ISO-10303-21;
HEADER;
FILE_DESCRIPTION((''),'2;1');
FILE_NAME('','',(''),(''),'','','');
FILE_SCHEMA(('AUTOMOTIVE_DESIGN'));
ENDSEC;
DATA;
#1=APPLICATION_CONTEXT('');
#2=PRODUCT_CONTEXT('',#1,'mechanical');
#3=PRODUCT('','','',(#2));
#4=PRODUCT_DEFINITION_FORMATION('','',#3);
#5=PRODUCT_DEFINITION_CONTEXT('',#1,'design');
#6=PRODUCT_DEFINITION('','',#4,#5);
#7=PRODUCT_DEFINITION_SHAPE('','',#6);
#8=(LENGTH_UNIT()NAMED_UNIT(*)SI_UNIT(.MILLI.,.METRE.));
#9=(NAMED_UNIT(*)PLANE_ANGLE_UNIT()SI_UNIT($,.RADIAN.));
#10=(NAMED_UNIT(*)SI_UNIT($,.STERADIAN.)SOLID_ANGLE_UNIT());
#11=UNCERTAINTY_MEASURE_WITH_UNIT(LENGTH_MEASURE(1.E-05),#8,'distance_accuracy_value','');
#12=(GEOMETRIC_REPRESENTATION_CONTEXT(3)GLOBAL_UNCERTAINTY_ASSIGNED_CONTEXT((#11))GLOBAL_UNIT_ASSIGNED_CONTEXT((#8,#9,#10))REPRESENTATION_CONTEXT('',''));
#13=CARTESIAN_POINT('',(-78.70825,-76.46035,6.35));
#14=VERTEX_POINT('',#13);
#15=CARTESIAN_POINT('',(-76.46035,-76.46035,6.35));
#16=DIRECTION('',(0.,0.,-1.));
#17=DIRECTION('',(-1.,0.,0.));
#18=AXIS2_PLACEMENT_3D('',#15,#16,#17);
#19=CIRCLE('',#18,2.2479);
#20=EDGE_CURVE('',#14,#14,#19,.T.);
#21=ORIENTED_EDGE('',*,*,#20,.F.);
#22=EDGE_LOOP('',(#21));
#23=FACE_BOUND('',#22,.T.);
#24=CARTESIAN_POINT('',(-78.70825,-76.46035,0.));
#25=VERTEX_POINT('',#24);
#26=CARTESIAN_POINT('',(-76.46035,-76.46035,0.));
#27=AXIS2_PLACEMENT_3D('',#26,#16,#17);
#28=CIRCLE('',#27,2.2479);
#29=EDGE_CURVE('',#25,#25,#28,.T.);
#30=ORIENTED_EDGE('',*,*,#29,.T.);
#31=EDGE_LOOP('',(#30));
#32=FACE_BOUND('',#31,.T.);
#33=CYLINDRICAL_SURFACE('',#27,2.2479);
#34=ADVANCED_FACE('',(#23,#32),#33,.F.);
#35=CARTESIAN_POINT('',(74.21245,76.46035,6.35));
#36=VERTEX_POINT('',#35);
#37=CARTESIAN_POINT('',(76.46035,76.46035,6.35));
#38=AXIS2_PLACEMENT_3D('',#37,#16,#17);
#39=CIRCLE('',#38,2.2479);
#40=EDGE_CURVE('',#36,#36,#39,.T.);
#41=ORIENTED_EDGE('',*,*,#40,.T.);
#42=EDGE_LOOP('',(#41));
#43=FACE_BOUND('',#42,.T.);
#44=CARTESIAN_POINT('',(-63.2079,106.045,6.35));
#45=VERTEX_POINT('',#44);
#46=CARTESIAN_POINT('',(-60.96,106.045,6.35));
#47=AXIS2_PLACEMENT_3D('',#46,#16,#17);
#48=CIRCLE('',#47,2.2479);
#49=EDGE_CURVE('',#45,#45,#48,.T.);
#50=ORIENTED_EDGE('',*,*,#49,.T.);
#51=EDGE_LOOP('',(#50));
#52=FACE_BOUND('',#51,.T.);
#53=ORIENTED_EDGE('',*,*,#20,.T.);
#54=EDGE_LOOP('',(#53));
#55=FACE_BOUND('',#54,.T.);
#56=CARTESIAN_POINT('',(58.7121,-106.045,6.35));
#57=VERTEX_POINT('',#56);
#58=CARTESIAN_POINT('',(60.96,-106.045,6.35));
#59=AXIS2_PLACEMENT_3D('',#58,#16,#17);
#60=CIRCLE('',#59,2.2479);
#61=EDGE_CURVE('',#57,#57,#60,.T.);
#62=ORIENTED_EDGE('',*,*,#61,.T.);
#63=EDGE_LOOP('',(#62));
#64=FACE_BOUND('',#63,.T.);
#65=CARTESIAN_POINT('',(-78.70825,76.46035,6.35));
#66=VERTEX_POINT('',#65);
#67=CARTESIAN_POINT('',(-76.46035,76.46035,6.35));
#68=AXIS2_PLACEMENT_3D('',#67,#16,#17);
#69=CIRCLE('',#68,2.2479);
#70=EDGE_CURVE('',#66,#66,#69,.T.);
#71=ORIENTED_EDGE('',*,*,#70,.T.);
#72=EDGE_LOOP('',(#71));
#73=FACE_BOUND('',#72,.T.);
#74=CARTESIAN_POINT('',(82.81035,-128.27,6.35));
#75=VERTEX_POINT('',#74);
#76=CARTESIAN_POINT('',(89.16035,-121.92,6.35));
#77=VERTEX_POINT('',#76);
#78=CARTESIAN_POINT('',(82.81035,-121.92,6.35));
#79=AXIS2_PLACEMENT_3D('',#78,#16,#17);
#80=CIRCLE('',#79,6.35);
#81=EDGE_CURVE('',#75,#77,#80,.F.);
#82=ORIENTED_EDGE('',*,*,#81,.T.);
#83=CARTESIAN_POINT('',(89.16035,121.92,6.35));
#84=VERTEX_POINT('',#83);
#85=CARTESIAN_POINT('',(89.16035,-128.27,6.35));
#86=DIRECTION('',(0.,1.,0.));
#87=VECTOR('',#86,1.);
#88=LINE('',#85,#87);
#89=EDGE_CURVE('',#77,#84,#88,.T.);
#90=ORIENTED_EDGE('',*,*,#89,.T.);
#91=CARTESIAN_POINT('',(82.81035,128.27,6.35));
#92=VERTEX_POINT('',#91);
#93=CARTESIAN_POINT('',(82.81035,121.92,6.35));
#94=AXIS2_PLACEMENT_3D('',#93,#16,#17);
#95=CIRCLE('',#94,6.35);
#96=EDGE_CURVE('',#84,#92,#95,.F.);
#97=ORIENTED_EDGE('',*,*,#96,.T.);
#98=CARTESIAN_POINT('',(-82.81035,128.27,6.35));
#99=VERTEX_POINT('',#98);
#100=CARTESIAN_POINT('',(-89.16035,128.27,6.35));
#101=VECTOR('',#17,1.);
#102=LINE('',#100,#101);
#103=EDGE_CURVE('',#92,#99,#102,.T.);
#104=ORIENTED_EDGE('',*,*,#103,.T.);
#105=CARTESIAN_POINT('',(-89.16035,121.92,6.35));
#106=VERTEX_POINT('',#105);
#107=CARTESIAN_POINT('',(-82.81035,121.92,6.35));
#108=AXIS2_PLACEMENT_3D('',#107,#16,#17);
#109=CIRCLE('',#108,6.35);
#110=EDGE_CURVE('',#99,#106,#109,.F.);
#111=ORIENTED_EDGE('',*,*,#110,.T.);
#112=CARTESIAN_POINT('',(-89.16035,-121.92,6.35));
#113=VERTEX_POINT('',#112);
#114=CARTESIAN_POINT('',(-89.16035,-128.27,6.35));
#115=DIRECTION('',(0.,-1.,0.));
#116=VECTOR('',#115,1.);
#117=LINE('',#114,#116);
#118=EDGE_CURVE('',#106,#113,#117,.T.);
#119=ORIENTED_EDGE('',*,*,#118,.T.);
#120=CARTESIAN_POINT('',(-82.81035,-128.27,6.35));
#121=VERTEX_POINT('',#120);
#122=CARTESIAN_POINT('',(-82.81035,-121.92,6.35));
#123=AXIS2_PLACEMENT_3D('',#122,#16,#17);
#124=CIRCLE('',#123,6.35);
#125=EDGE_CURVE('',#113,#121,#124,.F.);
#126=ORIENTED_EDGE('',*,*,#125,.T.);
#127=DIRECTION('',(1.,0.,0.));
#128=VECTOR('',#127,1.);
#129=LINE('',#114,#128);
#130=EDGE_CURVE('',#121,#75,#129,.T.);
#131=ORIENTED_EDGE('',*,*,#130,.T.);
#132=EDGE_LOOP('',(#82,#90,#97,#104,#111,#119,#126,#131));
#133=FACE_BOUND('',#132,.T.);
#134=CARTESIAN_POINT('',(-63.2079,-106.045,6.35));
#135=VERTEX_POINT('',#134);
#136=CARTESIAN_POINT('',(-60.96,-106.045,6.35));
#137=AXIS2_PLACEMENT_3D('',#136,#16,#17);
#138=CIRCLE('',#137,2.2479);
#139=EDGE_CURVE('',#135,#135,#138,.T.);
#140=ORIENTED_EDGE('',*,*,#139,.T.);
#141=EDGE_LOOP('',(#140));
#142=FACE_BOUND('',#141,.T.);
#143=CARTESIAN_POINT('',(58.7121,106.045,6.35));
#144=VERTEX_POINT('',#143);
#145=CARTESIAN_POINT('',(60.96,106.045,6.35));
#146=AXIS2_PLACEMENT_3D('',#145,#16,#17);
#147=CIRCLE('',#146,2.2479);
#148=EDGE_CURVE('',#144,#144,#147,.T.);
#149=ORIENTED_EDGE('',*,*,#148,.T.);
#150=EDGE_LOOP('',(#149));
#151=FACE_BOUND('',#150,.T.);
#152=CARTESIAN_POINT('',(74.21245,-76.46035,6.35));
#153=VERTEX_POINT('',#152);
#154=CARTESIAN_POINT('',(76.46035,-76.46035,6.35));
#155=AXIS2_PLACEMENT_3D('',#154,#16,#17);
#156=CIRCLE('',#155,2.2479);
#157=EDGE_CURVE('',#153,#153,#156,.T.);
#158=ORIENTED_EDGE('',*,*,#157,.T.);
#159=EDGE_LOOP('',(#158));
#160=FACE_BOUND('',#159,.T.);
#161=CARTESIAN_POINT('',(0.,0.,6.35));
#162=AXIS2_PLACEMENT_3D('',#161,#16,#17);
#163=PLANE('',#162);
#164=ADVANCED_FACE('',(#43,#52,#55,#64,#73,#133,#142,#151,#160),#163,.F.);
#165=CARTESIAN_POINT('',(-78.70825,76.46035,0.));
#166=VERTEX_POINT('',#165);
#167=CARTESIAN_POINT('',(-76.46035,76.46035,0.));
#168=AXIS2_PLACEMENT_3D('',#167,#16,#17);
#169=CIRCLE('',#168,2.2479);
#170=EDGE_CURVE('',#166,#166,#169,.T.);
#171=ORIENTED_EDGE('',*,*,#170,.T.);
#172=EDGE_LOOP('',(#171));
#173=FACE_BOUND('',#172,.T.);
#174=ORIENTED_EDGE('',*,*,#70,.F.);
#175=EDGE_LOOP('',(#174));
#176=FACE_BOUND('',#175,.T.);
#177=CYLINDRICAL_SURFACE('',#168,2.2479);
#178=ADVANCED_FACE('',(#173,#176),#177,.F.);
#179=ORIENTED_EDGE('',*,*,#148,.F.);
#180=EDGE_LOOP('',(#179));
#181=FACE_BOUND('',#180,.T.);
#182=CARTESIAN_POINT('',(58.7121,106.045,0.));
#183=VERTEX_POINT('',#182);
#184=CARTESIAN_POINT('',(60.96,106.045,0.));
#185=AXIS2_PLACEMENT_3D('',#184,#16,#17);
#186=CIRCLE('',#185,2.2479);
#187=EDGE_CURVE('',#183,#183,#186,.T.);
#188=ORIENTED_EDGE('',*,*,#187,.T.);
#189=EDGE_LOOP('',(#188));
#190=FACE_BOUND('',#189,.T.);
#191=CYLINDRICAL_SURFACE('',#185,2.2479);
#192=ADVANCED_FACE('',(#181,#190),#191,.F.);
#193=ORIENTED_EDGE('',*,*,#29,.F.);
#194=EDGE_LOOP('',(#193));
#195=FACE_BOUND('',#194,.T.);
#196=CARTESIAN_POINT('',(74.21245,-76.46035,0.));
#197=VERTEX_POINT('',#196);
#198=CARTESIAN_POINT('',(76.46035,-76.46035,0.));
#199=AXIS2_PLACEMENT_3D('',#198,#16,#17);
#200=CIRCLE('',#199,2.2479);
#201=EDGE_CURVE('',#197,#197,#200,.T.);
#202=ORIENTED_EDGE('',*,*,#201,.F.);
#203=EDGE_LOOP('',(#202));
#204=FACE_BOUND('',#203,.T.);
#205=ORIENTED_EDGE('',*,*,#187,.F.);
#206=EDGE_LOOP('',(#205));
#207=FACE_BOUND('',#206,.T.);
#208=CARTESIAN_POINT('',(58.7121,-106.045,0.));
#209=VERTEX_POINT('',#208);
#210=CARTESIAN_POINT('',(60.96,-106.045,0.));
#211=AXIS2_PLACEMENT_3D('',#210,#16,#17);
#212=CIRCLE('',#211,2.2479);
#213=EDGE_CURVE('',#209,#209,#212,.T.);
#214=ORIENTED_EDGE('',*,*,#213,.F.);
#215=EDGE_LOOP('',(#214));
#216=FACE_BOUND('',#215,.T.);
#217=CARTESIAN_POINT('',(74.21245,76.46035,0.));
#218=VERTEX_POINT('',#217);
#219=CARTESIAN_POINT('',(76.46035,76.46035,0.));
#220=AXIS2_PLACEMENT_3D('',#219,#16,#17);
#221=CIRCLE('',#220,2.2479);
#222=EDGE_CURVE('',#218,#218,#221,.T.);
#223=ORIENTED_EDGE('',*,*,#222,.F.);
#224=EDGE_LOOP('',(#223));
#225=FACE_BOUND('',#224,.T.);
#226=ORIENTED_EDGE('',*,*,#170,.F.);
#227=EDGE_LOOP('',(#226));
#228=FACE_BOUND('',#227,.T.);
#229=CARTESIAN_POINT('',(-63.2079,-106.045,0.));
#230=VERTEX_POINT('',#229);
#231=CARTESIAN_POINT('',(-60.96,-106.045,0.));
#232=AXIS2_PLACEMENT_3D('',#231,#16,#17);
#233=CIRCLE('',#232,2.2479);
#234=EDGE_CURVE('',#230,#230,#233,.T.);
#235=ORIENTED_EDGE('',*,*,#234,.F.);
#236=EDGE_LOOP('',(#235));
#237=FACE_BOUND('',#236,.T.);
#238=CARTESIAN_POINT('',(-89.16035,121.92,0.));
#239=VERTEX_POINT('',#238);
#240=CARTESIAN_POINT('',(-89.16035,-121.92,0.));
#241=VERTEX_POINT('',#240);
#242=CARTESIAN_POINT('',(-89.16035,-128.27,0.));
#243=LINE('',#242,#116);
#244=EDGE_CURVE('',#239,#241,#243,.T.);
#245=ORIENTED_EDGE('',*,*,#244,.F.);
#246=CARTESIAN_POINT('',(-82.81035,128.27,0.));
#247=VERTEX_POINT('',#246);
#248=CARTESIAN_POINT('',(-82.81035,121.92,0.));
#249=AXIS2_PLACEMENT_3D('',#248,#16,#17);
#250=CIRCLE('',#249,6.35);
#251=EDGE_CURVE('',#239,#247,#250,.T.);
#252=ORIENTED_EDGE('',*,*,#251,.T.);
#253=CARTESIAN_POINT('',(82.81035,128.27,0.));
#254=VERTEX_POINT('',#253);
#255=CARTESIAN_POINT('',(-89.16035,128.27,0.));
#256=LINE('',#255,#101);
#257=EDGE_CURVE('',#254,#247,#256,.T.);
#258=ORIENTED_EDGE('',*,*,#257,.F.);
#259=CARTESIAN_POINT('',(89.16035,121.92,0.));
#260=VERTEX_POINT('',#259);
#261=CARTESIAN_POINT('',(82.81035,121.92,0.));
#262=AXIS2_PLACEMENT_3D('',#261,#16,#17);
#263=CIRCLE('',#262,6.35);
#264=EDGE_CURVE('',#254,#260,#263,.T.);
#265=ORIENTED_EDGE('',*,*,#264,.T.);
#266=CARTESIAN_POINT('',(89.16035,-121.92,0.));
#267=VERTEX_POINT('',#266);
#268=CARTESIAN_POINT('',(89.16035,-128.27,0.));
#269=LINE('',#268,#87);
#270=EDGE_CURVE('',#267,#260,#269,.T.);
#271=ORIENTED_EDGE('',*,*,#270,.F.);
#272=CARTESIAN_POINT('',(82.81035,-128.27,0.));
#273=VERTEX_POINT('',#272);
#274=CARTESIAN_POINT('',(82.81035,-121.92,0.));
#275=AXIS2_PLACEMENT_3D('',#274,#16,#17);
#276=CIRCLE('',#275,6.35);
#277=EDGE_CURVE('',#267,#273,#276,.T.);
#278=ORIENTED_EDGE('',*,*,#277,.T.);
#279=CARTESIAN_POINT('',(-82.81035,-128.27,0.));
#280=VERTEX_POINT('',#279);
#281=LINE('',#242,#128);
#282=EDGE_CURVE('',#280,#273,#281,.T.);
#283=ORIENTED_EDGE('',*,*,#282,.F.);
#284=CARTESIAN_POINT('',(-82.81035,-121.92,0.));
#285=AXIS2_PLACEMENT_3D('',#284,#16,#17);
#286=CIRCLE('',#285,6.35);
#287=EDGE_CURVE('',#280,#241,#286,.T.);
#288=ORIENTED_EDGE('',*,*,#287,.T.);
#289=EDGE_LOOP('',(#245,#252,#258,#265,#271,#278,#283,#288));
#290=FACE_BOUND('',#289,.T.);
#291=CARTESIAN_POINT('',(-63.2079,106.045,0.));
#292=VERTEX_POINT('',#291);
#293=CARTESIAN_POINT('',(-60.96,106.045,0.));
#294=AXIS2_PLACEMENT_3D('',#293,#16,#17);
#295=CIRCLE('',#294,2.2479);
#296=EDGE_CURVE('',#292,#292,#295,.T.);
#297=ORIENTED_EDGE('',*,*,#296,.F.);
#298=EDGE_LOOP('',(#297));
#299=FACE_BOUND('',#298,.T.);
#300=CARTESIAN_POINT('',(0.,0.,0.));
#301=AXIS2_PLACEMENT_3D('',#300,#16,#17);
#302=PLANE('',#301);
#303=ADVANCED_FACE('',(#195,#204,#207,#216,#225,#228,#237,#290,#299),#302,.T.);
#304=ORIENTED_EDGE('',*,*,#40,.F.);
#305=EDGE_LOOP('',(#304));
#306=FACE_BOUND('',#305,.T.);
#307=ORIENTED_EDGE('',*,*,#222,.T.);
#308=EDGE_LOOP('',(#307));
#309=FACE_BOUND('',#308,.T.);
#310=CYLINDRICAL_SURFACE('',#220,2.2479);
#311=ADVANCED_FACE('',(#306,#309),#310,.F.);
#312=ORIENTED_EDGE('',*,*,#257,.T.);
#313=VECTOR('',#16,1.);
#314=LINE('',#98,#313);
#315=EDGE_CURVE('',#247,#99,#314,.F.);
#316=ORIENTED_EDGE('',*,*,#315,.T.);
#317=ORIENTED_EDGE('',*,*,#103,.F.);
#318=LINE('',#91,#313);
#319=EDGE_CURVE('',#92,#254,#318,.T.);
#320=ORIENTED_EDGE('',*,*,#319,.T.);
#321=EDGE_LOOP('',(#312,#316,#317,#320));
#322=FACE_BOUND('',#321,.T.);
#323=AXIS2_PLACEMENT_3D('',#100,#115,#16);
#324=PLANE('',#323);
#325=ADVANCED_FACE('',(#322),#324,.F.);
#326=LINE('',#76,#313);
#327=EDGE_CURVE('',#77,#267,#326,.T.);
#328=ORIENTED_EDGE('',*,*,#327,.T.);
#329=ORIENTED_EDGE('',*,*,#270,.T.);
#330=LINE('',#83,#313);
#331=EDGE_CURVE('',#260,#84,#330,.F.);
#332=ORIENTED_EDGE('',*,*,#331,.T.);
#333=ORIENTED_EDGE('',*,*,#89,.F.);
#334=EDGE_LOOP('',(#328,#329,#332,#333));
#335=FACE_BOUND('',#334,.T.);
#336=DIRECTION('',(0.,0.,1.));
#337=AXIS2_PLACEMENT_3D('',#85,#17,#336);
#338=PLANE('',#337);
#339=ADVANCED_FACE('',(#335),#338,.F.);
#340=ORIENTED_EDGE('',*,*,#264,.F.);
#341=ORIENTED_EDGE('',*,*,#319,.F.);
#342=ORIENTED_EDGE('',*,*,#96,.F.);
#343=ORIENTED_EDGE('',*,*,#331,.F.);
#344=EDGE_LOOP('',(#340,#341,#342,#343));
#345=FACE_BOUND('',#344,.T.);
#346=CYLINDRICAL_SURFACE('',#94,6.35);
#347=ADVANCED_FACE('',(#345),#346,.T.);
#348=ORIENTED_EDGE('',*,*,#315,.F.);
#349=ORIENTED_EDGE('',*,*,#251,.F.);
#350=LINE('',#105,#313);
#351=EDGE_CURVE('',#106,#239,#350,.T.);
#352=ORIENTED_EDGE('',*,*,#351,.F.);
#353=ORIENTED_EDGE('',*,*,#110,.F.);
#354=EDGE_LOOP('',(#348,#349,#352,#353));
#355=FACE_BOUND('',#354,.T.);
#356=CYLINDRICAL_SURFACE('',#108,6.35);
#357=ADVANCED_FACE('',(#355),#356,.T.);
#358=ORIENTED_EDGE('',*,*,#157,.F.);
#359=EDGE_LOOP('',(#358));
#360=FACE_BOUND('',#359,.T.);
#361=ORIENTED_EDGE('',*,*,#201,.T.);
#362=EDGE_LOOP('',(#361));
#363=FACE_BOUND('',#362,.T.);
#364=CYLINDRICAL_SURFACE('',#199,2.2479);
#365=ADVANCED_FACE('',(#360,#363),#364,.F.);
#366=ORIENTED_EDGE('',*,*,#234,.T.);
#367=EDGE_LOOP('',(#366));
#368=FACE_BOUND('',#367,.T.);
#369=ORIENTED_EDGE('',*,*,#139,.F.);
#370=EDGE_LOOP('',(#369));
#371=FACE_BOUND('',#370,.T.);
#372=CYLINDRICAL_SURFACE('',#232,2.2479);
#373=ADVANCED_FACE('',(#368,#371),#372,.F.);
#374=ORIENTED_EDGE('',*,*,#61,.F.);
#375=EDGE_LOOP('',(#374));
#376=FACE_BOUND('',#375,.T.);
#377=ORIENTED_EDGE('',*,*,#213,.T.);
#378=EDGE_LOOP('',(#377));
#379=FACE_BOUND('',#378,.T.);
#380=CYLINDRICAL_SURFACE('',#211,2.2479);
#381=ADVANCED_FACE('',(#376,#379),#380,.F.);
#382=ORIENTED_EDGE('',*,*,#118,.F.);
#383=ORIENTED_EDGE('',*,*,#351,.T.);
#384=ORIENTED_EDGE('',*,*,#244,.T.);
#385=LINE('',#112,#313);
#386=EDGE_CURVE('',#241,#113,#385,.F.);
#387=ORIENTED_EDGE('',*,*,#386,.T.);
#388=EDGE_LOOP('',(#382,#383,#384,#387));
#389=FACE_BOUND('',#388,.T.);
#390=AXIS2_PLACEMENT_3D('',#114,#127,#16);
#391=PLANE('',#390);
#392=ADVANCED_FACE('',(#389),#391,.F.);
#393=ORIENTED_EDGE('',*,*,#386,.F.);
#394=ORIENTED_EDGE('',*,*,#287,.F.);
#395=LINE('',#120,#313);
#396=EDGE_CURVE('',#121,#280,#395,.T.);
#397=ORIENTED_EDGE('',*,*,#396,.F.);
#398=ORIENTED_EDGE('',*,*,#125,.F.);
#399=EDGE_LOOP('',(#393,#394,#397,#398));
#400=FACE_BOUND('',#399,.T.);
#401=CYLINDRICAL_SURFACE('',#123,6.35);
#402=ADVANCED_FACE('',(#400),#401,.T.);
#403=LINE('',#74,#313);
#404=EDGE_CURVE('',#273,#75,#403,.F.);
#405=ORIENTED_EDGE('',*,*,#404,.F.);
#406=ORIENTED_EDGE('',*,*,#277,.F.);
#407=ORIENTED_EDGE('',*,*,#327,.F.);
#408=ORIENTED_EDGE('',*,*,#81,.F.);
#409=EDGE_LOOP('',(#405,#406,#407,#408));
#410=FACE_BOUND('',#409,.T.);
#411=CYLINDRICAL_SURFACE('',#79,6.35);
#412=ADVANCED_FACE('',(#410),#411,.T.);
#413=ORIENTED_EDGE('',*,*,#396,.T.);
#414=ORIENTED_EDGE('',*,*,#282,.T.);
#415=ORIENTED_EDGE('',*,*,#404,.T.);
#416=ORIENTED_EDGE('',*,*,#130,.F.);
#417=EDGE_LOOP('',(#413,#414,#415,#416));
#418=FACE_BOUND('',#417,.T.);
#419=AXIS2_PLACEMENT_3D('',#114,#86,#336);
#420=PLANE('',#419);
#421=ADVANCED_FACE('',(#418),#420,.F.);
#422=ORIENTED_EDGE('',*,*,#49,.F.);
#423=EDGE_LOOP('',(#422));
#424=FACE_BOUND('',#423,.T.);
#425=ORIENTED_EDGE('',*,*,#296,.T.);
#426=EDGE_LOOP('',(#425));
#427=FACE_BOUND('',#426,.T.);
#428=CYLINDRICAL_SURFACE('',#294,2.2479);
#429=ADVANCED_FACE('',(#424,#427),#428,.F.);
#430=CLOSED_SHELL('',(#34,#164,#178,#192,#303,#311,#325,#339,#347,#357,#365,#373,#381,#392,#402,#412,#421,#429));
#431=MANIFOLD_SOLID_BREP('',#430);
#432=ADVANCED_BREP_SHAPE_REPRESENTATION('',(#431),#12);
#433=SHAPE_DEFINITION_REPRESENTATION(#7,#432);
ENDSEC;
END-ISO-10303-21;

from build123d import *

# Parameters (mm, degrees)
SKETCH1_W             = 178.3207
SKETCH1_H             = 256.54
BOSS_EXTRUDE1_DEPTH   = 6.35
FILLET1_R             = 6.35
F_8_CLEARANCE_HOLE1_D = 4.4958


with BuildPart() as part:
    # Sketch1 → Boss-Extrude1 (new body)
    with BuildSketch(Plane.XY):
        Rectangle(SKETCH1_W, SKETCH1_H)
    extrude(amount=BOSS_EXTRUDE1_DEPTH)

    # Fillet1
    fillet1_edges = [part.edges().sort_by_distance(p)[0] for p in [
        (89.16035, -128.27, 3.175),
        (-89.16035, -128.27, 3.175),
        (-89.16035, 128.27, 3.175),
        (89.16035, 128.27, 3.175),
    ]]
    fillet(fillet1_edges, radius=FILLET1_R)

    # #8 Clearance Hole1 (through all)
    with Locations(Plane(origin=(0, 0, 0), x_dir=(-1, 0, 0), z_dir=(0, 0, -1))):
        with Locations((-60.96, 106.045), (60.96, 106.045), (-60.96, -106.045), (60.96, -106.045), (-76.46035, -76.46035), (-76.46035, 76.46035), (76.46035, 76.46035), (76.46035, -76.46035)):
            Hole(F_8_CLEARANCE_HOLE1_D / 2)


solid = part.part
